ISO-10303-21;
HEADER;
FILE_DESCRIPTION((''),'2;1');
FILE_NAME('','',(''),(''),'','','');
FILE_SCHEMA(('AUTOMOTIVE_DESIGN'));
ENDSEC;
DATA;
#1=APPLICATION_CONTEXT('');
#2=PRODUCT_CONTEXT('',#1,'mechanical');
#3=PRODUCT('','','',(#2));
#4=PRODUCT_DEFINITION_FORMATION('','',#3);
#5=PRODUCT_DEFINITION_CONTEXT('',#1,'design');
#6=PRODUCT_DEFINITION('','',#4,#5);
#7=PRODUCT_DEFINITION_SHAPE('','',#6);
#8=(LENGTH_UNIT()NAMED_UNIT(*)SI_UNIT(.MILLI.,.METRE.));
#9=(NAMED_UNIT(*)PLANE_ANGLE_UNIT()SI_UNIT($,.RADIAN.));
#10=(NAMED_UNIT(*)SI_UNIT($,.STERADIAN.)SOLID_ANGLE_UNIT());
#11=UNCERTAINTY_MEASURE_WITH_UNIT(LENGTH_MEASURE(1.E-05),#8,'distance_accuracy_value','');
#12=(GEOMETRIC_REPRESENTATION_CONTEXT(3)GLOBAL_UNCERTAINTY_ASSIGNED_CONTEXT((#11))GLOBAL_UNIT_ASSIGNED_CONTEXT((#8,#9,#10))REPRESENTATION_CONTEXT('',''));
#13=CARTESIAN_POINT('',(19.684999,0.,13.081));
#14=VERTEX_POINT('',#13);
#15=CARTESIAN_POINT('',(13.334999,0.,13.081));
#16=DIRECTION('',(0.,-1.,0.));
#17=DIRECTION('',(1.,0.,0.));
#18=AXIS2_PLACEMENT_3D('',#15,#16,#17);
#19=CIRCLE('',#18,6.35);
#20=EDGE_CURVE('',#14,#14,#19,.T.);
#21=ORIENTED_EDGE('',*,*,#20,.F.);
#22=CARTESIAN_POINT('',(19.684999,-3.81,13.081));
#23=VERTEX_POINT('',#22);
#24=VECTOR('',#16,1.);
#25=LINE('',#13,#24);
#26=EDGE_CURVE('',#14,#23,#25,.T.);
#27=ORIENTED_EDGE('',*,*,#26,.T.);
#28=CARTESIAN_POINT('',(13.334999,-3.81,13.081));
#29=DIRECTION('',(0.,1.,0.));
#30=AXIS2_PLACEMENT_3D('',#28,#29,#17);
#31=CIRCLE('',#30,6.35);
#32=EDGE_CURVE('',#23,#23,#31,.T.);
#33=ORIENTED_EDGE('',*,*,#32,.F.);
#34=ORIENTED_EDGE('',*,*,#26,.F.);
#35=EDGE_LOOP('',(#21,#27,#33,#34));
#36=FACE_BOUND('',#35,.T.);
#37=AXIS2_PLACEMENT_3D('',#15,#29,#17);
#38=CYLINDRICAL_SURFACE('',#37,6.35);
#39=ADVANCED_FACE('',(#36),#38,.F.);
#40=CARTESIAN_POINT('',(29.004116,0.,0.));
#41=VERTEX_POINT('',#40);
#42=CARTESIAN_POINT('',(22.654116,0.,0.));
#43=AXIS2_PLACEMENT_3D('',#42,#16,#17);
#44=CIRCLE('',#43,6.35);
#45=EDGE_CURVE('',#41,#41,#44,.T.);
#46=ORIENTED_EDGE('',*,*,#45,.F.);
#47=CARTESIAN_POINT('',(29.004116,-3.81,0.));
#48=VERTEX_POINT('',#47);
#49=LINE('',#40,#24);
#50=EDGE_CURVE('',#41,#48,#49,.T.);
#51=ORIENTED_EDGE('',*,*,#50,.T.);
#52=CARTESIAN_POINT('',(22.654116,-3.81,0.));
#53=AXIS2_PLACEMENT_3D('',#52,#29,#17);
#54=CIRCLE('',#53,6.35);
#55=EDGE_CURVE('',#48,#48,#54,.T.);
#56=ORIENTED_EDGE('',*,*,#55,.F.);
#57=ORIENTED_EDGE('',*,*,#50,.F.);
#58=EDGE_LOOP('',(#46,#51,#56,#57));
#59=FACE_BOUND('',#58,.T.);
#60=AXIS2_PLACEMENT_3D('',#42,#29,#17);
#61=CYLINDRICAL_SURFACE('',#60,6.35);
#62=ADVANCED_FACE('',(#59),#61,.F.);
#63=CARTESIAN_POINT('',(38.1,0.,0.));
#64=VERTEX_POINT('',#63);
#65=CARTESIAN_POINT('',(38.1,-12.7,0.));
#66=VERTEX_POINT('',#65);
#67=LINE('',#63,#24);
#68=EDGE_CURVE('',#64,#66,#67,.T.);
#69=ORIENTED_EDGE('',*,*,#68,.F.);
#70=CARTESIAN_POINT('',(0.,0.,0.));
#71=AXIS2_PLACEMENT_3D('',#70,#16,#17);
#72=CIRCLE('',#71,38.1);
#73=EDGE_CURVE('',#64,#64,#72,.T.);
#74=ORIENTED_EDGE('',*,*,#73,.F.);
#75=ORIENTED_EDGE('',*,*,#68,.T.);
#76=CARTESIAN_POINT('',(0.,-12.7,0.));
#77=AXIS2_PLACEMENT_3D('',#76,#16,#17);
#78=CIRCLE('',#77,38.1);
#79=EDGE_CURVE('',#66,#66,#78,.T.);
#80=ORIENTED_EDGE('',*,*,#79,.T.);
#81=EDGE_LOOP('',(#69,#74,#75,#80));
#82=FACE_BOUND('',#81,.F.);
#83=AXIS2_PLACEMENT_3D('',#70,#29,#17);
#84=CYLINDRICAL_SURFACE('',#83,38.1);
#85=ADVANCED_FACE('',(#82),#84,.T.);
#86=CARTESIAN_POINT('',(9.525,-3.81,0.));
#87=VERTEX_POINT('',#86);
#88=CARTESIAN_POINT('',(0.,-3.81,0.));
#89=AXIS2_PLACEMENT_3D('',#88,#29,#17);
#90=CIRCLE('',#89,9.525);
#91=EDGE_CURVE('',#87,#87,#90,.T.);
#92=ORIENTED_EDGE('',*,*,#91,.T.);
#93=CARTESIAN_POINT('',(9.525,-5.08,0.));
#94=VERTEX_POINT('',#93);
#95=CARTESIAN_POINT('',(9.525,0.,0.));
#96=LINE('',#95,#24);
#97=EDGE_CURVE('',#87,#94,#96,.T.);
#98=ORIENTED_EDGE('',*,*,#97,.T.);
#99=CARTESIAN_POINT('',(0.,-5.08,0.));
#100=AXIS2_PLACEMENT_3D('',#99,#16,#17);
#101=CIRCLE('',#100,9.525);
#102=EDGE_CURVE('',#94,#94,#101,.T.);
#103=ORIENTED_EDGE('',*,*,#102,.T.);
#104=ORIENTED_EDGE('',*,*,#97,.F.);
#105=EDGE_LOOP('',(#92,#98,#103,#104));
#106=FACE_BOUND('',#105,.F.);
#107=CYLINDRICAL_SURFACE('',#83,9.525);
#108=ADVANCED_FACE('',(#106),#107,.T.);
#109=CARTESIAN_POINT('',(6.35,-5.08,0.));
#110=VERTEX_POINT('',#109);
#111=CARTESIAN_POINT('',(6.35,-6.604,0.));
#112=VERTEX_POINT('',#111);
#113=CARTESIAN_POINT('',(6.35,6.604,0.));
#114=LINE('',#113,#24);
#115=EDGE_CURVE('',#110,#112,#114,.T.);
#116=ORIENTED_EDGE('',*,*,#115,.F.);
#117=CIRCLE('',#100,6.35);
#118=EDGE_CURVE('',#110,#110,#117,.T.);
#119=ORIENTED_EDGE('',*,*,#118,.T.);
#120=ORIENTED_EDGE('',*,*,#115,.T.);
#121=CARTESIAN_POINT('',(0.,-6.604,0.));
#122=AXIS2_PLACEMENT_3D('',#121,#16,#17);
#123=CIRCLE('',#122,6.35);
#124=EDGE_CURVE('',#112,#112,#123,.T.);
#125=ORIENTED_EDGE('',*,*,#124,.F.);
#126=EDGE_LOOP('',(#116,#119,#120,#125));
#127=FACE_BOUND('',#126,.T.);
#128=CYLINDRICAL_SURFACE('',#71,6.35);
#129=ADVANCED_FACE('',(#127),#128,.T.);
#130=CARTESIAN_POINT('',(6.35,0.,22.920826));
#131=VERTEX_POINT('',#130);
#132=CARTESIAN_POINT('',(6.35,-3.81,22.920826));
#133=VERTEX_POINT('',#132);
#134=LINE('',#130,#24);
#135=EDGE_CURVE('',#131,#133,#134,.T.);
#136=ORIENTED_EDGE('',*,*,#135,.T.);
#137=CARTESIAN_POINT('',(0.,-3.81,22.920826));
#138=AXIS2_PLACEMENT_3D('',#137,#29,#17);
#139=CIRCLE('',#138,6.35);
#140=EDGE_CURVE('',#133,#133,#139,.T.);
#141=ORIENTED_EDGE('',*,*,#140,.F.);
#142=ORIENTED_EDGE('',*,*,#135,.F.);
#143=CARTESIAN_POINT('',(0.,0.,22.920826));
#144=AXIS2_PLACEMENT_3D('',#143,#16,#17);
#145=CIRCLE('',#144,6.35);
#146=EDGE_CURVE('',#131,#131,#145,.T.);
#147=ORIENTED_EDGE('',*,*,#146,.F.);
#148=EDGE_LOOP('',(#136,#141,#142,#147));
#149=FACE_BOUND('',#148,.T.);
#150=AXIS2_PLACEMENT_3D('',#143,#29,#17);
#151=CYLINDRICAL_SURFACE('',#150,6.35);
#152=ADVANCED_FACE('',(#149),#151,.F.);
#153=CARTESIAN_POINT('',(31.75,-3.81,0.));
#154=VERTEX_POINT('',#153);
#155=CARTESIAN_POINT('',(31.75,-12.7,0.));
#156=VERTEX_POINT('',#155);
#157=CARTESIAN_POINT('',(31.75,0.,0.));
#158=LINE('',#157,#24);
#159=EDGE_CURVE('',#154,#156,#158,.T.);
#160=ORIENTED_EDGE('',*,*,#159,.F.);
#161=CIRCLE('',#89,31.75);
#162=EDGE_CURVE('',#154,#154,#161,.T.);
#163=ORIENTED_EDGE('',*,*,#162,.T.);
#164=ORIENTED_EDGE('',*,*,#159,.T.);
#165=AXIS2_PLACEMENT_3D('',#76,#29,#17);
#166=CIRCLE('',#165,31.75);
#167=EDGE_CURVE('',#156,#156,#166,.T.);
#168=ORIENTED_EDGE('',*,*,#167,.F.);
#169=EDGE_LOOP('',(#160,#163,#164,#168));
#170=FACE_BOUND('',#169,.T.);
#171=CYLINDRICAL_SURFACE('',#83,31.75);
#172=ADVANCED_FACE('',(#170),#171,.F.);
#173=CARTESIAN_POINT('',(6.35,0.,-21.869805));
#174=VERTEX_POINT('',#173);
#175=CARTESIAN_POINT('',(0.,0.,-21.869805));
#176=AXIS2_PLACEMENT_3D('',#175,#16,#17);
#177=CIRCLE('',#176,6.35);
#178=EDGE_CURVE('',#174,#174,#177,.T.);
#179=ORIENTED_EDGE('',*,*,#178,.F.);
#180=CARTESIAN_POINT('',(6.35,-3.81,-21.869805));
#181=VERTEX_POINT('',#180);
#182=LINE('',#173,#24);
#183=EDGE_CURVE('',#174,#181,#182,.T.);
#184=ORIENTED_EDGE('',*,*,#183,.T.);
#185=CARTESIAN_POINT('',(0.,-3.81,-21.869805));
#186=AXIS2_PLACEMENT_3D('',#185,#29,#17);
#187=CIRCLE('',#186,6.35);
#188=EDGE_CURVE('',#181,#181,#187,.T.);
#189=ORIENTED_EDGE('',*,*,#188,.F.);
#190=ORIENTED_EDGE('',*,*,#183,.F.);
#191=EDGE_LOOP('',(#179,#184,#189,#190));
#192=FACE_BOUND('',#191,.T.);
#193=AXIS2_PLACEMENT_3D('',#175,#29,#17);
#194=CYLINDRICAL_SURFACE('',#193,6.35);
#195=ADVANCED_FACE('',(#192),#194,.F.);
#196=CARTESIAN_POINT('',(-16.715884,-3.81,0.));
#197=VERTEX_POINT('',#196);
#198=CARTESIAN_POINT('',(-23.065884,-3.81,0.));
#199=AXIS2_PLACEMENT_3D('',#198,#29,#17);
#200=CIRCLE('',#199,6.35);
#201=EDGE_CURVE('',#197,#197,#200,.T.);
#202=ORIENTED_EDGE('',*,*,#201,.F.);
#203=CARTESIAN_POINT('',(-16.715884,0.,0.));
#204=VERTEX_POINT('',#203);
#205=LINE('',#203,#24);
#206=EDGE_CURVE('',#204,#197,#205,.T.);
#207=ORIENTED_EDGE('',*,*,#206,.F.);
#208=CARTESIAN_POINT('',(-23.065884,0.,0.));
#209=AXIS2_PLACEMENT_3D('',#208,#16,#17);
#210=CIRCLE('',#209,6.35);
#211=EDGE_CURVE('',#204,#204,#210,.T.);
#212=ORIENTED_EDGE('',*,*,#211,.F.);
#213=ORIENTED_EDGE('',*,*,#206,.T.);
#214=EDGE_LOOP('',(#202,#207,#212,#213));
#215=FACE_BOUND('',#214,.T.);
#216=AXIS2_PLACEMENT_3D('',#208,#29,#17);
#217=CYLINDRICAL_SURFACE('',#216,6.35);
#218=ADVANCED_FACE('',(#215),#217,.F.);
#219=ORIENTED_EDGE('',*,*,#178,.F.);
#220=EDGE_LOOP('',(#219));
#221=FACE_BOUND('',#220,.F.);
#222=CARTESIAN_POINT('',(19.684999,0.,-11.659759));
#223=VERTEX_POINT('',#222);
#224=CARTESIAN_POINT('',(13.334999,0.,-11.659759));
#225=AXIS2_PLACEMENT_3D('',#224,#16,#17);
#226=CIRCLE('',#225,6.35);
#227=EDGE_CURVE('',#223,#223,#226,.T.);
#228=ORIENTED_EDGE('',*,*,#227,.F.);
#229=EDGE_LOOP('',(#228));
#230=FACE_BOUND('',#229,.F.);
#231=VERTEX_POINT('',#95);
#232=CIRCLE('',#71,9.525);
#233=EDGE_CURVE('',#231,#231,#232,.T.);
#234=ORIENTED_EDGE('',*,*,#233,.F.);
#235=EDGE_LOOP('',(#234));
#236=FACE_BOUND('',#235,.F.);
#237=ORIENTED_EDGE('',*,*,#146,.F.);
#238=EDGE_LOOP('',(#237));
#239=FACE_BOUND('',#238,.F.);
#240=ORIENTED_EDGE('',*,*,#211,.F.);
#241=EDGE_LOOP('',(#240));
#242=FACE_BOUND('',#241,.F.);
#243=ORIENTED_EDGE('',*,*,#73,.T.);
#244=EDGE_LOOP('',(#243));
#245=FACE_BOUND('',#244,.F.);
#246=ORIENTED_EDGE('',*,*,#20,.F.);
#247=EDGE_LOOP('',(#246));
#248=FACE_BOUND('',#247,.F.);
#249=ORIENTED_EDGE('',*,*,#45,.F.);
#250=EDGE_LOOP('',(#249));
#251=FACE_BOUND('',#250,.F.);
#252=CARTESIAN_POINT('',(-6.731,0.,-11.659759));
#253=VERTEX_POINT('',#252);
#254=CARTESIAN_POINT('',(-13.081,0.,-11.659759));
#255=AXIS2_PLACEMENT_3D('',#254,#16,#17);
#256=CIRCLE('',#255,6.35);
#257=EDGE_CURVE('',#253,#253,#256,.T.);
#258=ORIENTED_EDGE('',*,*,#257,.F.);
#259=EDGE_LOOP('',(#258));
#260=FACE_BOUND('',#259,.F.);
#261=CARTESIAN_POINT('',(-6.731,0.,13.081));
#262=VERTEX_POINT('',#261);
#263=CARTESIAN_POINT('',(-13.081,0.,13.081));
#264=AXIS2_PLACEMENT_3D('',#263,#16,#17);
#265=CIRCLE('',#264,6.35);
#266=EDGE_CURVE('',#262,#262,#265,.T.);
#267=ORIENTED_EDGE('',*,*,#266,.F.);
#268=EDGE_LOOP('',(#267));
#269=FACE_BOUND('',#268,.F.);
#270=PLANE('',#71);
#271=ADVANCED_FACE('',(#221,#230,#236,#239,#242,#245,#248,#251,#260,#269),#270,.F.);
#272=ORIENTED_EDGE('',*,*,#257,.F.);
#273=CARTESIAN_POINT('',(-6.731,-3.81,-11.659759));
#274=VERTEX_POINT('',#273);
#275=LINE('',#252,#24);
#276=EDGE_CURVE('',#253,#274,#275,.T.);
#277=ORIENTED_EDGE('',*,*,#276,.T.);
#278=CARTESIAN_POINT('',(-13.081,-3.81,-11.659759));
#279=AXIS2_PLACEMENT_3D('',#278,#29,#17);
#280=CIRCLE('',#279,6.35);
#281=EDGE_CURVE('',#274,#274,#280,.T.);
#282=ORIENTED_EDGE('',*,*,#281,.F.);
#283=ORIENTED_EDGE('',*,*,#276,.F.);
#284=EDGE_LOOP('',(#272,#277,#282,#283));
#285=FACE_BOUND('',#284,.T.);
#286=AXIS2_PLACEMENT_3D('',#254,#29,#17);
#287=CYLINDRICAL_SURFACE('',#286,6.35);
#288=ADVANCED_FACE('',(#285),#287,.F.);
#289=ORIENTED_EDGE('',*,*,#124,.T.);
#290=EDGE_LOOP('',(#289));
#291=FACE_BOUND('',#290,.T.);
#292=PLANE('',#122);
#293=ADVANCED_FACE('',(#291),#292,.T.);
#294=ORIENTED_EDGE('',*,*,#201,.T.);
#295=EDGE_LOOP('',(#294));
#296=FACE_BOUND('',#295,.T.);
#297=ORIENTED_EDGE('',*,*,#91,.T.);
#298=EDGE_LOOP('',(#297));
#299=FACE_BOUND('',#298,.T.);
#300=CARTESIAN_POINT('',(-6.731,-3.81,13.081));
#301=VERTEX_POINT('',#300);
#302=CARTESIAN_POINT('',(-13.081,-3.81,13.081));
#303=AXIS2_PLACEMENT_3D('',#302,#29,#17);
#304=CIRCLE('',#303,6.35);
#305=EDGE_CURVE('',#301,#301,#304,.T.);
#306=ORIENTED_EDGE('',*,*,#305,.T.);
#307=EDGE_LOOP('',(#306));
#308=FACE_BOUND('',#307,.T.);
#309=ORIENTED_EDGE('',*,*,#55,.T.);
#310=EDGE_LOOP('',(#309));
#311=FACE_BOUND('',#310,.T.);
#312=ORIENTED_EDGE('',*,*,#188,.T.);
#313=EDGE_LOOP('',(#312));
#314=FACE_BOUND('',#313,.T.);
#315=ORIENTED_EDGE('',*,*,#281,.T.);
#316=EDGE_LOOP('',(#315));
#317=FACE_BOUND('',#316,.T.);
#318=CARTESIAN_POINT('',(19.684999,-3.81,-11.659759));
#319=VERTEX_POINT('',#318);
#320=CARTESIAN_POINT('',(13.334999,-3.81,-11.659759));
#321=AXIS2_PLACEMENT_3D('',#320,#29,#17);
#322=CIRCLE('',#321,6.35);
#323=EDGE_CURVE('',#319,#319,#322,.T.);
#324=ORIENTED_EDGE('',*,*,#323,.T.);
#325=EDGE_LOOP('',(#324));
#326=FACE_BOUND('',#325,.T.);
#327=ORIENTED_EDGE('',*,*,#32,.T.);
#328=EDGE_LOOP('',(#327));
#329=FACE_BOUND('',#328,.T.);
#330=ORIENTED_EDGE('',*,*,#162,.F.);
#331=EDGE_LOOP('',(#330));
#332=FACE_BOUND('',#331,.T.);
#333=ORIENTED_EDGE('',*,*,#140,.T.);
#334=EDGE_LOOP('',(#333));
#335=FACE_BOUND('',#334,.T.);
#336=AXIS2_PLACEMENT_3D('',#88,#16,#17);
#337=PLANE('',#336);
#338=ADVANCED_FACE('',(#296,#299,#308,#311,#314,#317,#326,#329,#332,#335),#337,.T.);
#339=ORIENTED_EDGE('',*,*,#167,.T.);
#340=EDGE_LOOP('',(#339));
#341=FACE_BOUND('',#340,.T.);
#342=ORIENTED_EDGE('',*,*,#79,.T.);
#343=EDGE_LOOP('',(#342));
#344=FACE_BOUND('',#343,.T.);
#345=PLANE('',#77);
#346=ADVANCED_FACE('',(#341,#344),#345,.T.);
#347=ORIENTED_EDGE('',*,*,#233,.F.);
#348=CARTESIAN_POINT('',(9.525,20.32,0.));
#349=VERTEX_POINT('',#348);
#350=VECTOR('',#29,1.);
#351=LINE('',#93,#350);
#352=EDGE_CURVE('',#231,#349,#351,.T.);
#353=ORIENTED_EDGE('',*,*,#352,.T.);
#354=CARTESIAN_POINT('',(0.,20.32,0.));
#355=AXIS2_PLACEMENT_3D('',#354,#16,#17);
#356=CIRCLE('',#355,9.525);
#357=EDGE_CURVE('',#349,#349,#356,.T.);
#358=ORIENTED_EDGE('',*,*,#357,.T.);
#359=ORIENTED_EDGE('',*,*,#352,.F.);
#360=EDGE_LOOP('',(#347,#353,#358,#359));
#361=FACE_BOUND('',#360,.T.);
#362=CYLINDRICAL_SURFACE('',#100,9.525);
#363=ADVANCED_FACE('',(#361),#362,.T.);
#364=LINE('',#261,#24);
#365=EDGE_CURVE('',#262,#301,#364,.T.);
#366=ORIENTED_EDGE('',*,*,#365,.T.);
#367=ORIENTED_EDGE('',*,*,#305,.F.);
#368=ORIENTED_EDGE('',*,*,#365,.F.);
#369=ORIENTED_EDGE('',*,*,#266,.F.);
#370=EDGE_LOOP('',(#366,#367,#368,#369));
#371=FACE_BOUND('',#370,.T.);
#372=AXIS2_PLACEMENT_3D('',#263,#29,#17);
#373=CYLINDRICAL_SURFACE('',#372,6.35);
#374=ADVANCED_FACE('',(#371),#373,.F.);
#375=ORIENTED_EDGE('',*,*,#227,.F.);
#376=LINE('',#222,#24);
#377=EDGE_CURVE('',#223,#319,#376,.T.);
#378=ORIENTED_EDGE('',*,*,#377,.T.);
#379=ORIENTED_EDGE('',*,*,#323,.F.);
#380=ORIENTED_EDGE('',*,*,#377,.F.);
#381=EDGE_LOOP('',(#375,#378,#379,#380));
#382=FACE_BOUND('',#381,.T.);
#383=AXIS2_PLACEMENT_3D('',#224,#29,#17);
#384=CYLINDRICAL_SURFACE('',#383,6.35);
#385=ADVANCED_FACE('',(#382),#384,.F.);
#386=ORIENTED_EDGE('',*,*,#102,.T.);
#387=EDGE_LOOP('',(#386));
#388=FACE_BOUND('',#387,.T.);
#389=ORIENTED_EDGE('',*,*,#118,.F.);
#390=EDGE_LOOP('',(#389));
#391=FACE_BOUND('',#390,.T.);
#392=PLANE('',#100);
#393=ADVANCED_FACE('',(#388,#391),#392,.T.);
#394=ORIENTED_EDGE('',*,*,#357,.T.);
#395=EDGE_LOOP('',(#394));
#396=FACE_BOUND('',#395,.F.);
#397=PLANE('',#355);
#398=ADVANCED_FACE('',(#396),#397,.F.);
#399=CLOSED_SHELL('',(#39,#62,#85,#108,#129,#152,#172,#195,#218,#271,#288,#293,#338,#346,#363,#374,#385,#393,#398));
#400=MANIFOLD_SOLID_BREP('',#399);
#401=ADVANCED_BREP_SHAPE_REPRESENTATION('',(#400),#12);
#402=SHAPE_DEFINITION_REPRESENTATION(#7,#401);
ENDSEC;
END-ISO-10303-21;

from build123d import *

# Parameters (mm, degrees)
F0_R       = 38.1
F1_DEPTH   = 12.7
F2_R       = 31.75
F3_DEPTH   = 45.466
F4_R       = 34.925
F5_DEPTH   = 3.81
F6_R       = 6.35
F7_DEPTH   = 38.354
F8_R       = 6.35
F9_DEPTH   = 26.924
F10_R      = 9.525
F11_DEPTH  = 5.08
F11_FACE_R = 9.525
F12_DEPTH  = 25.4
F13_R      = 6.35
F14_DEPTH  = 6.604


with BuildPart() as f1:
    # F0 (on Front) → F1 (new body)
    with BuildSketch(Plane.XZ):
        Circle(F0_R)
    extrude(amount=F1_DEPTH)

    # F2 (on Front) → F3 (cut)
    with BuildSketch(Plane.XZ):
        Circle(F2_R)
    extrude(amount=F3_DEPTH, mode=Mode.SUBTRACT)

    # F4 (on Front) → F5 (join)
    with BuildSketch(Plane.XZ):
        Circle(F4_R)
    extrude(amount=F5_DEPTH)

    # F6 (on Front) → F7 (cut)
    with BuildSketch(Plane.XZ):
        with Locations((-13.081, 13.081)):
            Circle(F6_R)
        with Locations((13.334999, 13.081)):
            Circle(F6_R)
        with Locations((13.334999, -11.659759)):
            Circle(F6_R)
        with Locations((-13.081, -11.659759)):
            Circle(F6_R)
    extrude(amount=F7_DEPTH, mode=Mode.SUBTRACT)

    # F8 (on Front) → F9 (cut)
    with BuildSketch(Plane.XZ):
        with Locations((0, 22.920826)):
            Circle(F8_R)
        with Locations((22.654116, 0)):
            Circle(F8_R)
        with Locations((0, -21.869805)):
            Circle(F8_R)
        with Locations((-23.065884, 0)):
            Circle(F8_R)
    extrude(amount=F9_DEPTH, mode=Mode.SUBTRACT)

    # F10 (on Front) → F11 (join)
    with BuildSketch(Plane.XZ):
        Circle(F10_R)
    extrude(amount=F11_DEPTH)

    # F11_face (on face) → F12 (join)
    with BuildSketch(Plane.XZ.offset(5.08)):
        Circle(F11_FACE_R)
    extrude(amount=-F12_DEPTH)

    # F13 (on Front) → F14 (join, symmetric)
    with BuildSketch(Plane.XZ):
        Circle(F13_R)
    extrude(amount=F14_DEPTH, both=True)


solid = f1.part
